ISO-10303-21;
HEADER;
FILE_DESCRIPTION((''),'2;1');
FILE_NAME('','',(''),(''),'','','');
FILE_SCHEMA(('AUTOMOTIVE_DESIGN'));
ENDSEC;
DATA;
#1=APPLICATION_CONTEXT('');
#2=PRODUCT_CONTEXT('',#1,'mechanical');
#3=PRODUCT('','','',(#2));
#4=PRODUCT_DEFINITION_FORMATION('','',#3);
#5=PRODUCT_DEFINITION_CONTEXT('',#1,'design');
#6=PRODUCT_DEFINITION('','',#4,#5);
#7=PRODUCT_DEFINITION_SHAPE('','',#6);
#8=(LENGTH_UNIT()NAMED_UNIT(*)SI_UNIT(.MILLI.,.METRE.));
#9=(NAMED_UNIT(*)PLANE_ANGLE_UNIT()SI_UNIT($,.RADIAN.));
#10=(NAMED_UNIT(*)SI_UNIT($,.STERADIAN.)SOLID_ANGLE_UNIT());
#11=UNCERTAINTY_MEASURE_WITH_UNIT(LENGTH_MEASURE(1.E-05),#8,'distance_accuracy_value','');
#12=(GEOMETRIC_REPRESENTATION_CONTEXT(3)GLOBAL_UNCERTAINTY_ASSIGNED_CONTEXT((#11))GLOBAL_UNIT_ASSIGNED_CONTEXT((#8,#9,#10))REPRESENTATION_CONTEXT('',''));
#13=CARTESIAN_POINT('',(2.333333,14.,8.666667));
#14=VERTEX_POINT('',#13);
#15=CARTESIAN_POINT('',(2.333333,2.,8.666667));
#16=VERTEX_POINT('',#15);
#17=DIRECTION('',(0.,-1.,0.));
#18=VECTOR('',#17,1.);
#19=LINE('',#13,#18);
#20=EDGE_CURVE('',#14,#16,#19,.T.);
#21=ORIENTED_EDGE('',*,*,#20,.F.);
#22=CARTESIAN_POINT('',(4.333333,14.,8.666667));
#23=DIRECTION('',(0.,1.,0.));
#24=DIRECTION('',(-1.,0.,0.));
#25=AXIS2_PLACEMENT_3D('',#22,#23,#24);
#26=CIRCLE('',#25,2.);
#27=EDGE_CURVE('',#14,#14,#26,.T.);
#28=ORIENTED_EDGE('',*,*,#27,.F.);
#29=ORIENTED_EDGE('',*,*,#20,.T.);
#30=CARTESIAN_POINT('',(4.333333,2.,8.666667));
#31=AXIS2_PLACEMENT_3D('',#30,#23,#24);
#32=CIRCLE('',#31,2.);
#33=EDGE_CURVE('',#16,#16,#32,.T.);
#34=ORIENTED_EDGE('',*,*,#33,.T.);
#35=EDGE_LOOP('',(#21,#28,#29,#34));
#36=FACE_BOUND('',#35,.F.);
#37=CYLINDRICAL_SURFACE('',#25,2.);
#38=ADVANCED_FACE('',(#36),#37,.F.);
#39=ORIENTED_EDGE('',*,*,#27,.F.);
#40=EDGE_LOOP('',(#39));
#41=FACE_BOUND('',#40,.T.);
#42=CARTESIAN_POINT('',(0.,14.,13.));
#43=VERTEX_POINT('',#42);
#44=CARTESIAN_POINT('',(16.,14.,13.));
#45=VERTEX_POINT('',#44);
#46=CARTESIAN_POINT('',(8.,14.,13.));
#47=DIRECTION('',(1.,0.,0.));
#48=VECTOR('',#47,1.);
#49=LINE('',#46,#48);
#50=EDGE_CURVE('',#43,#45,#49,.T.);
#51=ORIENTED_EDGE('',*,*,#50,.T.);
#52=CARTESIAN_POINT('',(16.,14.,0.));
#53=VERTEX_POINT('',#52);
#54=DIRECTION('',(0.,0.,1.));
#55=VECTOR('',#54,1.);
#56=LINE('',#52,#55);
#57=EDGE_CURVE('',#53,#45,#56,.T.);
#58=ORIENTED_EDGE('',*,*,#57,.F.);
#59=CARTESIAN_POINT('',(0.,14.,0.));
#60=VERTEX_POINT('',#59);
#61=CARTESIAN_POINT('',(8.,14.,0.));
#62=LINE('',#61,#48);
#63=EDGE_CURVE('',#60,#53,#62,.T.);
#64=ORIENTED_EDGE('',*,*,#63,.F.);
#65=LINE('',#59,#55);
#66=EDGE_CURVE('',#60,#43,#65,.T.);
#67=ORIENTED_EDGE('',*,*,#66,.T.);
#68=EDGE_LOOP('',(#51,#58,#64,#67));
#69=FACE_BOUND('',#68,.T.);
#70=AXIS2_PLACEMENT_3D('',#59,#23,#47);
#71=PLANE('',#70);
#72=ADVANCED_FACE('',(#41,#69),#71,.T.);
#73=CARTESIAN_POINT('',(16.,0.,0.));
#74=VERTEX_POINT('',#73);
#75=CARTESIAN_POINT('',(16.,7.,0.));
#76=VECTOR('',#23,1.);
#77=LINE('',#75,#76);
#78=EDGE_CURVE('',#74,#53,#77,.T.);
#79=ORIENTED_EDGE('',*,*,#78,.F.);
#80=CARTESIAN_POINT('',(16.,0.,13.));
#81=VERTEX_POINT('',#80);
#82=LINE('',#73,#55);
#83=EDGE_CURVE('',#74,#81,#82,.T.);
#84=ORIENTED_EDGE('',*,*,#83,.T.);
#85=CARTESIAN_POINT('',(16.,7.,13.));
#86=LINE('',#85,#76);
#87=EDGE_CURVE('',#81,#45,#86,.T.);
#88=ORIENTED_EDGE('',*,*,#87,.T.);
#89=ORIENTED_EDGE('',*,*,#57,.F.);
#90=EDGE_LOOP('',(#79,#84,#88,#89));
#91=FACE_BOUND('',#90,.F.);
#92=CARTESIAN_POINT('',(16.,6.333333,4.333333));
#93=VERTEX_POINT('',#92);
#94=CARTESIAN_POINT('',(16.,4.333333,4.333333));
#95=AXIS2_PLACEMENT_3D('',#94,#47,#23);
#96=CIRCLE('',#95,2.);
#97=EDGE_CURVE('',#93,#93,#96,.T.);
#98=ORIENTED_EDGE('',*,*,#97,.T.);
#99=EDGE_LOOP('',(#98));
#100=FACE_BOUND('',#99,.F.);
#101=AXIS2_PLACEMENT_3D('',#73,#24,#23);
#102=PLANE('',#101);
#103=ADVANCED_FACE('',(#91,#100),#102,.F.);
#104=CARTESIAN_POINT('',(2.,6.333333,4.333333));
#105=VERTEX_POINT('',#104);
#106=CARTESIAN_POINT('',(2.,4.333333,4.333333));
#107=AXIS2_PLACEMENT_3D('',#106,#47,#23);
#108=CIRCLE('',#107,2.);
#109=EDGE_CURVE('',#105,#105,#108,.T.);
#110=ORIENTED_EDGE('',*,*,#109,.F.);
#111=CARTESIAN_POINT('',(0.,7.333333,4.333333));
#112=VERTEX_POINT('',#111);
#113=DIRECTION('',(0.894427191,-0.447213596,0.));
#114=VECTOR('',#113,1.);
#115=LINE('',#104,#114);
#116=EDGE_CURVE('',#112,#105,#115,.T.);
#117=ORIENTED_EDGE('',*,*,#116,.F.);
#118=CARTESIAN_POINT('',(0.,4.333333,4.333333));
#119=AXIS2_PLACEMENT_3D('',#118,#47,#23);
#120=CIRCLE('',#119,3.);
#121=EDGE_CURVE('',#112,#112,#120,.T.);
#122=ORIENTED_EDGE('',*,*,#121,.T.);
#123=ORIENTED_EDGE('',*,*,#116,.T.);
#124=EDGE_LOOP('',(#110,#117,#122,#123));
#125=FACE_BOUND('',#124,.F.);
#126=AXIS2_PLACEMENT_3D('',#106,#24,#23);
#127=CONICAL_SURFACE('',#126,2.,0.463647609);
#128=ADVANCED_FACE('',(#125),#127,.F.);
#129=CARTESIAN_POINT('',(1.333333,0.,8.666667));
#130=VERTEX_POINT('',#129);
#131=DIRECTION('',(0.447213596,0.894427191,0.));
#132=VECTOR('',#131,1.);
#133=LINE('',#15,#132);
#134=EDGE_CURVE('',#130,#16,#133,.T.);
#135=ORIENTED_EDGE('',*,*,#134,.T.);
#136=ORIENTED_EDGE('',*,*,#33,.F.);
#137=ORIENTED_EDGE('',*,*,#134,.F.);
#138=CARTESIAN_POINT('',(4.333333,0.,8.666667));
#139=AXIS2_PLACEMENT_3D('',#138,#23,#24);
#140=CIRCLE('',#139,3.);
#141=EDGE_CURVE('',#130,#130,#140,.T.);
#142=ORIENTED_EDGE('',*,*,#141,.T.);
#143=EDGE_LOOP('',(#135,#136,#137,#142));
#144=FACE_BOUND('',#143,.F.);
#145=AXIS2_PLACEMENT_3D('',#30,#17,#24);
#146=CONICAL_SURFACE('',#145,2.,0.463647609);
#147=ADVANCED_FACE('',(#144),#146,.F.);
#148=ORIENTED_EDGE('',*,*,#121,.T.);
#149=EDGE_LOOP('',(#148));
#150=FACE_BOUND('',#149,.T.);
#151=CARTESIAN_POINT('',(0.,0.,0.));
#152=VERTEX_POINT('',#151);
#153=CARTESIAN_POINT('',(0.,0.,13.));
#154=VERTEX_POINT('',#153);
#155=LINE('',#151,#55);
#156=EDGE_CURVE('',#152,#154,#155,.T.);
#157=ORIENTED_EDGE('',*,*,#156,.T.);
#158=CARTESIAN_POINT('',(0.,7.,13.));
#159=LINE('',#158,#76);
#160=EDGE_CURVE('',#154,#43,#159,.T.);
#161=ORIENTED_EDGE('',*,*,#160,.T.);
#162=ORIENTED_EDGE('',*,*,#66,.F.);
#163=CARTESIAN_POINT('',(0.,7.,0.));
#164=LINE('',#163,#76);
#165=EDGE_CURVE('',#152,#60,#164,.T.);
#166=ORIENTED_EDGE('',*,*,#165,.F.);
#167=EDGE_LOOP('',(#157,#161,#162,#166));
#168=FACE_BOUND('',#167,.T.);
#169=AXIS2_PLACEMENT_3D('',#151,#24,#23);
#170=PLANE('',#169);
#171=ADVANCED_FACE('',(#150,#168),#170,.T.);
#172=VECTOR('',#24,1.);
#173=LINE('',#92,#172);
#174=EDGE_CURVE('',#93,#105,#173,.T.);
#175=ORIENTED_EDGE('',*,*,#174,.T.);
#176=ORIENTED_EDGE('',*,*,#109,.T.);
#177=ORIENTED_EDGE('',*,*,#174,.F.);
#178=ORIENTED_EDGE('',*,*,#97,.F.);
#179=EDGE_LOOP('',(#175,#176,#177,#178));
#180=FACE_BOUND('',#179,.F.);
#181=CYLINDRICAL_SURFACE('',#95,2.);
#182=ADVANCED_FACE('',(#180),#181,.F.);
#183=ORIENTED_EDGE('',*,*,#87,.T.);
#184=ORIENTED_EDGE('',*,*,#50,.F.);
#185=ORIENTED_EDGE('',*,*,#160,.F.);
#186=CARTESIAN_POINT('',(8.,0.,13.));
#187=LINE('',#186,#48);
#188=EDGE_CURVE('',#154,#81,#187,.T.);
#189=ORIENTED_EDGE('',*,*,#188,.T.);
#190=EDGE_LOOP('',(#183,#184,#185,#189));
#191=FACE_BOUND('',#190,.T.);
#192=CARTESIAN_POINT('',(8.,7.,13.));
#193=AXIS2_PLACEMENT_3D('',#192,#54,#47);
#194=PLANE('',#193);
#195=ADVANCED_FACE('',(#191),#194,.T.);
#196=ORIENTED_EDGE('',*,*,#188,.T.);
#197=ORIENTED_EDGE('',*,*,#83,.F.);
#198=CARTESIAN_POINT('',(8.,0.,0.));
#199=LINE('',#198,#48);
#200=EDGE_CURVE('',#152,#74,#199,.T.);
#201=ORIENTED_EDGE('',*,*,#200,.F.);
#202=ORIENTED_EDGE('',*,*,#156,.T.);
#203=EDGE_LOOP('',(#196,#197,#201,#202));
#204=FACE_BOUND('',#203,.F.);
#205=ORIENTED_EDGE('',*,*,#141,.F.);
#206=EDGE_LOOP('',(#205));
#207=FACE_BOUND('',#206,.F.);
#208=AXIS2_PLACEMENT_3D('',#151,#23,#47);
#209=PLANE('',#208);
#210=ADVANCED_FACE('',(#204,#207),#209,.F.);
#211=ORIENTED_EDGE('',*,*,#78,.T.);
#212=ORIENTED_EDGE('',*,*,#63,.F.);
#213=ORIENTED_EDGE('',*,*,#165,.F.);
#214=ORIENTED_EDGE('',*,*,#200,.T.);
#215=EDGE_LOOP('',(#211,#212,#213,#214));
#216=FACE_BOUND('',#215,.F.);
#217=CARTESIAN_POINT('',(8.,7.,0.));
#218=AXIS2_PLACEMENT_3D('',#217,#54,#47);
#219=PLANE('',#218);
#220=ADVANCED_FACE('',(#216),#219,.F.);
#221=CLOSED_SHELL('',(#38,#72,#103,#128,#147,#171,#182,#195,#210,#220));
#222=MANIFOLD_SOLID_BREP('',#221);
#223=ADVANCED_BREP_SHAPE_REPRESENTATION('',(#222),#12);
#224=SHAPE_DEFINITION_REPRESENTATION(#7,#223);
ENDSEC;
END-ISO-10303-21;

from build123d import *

# Parameters (mm, degrees)
SKETCH_W        = 16
SKETCH_H        = 14
PAD_DEPTH       = 13
SKETCH001_R     = 2
POCKET_DEPTH    = 16.001
SKETCH002_R     = 2
POCKET001_DEPTH = 14.001
CHAMFER_1_SIZE2 = 2
CHAMFER_1_SIZE  = 1
CHAMFER_2_SIZE2 = 2
CHAMFER_2_SIZE  = 1


with BuildPart() as part:
    # Sketch → Pad (new body)
    with BuildSketch(Plane.XY):
        with Locations((8, 7)):
            Rectangle(SKETCH_W, SKETCH_H)
    extrude(amount=PAD_DEPTH)

    # Sketch001 (on Face2 of Pad) → Pocket (cut, through all)
    with BuildSketch(Plane.YZ.offset(16)):
        with Locations((4.333333, 4.333333)):
            Circle(SKETCH001_R)
    extrude(amount=-POCKET_DEPTH, mode=Mode.SUBTRACT)

    # Sketch002 (on Face6 of Pocket) → Pocket001 (cut, through all)
    with BuildSketch(Plane(origin=(0, 14, 0), x_dir=(-1, 0, 0), z_dir=(0, 1, 0))):
        with Locations((-4.333333, 8.666667)):
            Circle(SKETCH002_R)
    extrude(amount=-POCKET001_DEPTH, mode=Mode.SUBTRACT)

    # Chamfer 1
    chamfer_1_edges = [part.edges().sort_by_distance(p)[0] for p in [
        (6.333333, 0, 8.666667),
    ]]
    chamfer_1_side = part.faces().sort_by_distance((8.235766, 0, 6.360683))[0]
    chamfer(chamfer_1_edges, length=CHAMFER_1_SIZE, length2=CHAMFER_1_SIZE2, reference=chamfer_1_side)

    # Chamfer 2
    chamfer_2_edges = [part.edges().sort_by_distance(p)[0] for p in [
        (0, 2.333333, 4.333333),
    ]]
    chamfer_2_side = part.faces().sort_by_distance((0, 7.197778, 6.660695))[0]
    chamfer(chamfer_2_edges, length=CHAMFER_2_SIZE, length2=CHAMFER_2_SIZE2, reference=chamfer_2_side)


solid = part.part
